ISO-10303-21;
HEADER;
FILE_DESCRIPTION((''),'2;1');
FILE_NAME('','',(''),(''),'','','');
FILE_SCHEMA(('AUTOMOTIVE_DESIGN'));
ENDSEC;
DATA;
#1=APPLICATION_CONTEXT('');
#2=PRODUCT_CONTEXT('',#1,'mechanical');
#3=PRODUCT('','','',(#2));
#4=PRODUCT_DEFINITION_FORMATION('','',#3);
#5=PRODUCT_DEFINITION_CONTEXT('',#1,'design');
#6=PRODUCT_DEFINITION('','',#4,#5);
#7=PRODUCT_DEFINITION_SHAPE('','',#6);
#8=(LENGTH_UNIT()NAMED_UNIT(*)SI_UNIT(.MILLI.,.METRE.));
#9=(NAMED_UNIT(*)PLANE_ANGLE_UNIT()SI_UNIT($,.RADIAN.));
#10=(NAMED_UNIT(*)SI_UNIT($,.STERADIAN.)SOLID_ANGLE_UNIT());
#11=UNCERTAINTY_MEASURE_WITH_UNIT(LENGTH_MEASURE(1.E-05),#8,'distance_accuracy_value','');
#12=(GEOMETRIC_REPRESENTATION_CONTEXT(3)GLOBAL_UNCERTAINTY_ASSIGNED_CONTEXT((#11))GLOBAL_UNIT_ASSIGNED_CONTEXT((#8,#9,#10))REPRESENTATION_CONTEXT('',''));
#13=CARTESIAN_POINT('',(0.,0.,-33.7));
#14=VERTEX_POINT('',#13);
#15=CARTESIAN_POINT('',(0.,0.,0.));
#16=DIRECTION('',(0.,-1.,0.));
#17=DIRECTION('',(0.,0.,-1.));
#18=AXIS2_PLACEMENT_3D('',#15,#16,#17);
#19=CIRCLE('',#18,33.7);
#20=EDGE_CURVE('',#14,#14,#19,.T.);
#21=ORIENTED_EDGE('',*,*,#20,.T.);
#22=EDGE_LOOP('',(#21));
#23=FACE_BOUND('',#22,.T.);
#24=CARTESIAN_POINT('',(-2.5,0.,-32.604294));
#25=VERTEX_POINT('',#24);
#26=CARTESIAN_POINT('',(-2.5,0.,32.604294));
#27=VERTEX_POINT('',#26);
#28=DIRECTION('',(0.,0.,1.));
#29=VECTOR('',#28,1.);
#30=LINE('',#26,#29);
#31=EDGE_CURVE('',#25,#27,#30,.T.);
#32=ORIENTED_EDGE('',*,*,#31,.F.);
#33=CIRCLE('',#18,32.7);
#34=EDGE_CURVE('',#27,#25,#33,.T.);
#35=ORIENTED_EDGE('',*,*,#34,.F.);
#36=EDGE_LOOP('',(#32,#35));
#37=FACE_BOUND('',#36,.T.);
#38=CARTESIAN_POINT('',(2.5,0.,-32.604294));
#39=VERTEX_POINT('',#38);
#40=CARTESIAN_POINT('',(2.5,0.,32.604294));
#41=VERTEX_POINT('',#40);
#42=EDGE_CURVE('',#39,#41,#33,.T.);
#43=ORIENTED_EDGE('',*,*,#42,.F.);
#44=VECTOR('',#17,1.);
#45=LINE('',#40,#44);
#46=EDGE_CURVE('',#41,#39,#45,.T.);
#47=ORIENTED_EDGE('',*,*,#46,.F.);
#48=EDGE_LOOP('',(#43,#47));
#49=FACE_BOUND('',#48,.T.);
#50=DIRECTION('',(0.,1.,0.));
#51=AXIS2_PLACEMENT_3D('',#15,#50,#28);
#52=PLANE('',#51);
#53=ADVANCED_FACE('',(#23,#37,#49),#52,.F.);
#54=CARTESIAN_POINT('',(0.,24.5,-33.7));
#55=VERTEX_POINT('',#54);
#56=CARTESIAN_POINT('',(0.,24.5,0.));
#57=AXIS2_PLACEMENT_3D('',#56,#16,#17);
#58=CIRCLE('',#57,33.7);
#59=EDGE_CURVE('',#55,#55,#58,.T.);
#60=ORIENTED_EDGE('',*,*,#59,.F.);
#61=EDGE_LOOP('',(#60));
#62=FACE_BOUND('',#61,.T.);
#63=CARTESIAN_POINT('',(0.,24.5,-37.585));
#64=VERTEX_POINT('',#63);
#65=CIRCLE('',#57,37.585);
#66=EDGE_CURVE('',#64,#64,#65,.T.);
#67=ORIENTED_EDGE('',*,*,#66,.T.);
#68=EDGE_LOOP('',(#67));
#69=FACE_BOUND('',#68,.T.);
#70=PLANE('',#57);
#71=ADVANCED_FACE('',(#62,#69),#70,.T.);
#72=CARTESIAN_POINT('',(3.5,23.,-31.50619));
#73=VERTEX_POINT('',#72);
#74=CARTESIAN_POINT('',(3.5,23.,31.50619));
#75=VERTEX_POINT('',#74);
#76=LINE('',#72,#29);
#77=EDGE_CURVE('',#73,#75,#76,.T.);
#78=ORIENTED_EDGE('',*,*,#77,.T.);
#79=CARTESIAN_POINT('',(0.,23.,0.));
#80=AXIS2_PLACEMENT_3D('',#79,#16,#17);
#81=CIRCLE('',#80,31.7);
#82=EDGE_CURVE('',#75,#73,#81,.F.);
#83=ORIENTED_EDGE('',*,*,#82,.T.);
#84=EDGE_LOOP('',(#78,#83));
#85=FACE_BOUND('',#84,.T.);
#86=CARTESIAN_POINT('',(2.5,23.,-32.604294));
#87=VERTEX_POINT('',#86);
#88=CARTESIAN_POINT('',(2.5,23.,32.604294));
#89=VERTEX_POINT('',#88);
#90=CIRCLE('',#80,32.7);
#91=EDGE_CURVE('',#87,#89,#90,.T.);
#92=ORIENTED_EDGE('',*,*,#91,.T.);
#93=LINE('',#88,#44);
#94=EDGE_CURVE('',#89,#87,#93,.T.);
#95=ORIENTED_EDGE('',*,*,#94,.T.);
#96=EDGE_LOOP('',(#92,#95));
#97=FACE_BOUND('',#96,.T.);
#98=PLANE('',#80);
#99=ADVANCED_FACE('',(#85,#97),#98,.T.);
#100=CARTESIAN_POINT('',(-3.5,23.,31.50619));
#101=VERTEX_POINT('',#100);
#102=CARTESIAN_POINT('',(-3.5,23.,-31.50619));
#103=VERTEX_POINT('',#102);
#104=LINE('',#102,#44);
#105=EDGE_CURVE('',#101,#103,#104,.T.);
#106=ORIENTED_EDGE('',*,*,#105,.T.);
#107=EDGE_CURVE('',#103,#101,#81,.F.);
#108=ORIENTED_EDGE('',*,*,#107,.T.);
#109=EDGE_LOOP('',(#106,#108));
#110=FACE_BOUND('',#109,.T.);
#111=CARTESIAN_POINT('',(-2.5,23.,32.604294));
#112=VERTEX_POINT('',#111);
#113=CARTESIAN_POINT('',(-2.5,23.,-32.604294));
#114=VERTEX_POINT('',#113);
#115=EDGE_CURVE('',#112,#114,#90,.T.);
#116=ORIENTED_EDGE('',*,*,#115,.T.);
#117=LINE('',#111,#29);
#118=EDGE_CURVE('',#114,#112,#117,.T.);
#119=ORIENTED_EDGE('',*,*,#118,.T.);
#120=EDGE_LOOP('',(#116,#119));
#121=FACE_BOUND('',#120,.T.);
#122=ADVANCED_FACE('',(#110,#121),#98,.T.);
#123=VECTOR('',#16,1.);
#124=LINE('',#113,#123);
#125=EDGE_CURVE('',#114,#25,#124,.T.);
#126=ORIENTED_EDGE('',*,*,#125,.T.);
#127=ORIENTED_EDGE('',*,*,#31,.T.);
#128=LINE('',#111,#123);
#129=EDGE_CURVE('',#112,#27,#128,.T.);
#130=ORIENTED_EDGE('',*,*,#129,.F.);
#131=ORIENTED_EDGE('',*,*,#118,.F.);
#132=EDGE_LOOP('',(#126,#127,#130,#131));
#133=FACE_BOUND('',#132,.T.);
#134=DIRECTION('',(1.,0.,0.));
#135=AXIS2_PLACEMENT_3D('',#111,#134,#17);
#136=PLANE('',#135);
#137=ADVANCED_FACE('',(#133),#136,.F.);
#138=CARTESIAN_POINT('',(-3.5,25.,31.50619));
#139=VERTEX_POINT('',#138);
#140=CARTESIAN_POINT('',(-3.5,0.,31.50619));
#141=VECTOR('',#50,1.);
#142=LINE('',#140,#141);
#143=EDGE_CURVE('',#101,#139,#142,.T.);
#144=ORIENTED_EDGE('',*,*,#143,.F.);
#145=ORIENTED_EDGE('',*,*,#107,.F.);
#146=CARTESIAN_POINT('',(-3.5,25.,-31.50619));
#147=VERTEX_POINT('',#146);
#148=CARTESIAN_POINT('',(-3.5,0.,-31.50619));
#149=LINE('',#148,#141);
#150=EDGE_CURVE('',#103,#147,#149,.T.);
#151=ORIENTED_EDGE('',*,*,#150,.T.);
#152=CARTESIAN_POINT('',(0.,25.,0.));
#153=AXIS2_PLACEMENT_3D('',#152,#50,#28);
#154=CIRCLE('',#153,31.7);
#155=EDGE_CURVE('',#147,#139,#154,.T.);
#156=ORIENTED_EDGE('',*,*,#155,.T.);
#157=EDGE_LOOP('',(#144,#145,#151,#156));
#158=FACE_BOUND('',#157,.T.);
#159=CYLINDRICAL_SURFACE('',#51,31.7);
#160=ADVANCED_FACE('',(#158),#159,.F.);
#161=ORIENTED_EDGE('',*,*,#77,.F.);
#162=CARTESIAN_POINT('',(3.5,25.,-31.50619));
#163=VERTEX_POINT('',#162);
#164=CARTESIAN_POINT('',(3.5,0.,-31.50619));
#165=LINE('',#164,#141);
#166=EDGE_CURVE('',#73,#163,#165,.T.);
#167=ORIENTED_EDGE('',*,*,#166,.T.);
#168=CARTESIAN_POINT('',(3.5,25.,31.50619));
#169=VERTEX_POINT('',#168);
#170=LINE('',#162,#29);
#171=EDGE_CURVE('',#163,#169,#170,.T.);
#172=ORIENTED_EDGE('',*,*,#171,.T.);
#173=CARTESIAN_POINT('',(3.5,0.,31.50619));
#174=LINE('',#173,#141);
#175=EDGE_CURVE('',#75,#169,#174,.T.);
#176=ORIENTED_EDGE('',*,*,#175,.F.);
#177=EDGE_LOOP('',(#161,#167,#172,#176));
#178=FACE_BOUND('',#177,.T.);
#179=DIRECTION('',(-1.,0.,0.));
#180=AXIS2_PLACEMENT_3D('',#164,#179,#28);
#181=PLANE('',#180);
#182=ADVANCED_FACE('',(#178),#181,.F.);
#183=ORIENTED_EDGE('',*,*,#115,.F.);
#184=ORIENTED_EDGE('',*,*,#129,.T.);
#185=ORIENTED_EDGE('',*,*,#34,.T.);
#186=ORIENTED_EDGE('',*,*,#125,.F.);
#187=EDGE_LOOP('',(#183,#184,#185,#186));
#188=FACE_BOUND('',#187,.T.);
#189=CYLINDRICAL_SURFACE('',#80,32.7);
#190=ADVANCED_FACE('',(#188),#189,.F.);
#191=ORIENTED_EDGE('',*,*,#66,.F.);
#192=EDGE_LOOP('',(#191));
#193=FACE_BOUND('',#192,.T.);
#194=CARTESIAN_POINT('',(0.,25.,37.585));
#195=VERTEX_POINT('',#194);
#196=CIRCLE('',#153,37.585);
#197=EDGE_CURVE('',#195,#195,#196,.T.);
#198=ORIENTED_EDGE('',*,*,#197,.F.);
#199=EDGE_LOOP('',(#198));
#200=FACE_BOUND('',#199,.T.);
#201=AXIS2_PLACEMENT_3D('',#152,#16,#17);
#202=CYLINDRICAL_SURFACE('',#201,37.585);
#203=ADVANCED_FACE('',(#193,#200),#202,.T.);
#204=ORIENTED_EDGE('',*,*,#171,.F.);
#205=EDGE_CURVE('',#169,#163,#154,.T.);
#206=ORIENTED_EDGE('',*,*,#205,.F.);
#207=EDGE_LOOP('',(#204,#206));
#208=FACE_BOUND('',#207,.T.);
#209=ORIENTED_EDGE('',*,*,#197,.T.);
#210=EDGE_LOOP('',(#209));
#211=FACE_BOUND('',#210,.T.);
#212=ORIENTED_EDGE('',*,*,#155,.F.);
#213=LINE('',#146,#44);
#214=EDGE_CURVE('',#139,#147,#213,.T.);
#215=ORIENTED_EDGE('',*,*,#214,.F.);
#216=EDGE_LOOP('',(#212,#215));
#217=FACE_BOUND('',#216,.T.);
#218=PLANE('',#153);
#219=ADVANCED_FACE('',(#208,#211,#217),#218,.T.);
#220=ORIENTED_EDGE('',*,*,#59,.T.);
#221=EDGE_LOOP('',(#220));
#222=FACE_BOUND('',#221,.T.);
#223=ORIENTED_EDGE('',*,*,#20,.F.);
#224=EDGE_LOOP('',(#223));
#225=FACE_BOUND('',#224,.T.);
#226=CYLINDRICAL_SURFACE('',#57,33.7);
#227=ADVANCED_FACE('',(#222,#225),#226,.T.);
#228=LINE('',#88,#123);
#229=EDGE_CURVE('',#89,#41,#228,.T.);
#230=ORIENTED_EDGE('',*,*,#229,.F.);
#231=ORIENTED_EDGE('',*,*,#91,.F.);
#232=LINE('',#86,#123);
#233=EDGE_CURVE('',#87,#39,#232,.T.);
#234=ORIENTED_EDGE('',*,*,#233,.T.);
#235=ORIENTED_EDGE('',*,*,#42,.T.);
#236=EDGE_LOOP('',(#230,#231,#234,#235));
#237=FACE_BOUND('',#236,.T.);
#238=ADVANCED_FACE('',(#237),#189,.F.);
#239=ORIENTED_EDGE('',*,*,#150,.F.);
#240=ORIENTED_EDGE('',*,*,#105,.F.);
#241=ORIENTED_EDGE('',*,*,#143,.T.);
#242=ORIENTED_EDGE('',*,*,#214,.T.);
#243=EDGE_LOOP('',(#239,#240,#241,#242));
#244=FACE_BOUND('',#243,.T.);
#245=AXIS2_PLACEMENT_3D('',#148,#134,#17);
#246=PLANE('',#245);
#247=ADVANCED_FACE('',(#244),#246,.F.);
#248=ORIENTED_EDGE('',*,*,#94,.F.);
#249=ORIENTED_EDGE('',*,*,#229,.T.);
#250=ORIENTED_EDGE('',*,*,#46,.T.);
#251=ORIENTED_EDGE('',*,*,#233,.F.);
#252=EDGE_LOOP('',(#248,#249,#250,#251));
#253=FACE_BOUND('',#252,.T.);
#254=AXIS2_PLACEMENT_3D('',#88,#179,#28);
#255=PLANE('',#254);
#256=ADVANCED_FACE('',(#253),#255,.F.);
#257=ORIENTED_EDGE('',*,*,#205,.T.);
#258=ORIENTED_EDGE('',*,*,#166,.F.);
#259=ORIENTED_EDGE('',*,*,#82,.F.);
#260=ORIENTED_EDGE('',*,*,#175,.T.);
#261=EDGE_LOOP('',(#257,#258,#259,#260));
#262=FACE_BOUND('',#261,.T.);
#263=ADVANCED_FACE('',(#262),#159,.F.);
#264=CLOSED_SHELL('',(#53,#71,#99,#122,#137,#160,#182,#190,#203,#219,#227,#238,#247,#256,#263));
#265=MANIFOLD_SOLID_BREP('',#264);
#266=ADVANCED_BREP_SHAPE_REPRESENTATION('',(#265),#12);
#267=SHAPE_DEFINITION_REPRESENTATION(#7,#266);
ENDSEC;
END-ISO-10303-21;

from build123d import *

# Parameters (mm, degrees)
OUTER_BASE_CIRCLE_SKETCH_R         = 37.585
BODY_EXTRUDE_DEPTH                 = 25
INNER_BASE_CIRCLE_SKETCH_OUTSIDE_W = 99.012
INNER_BASE_CIRCLE_SKETCH_OUTSIDE_H = 99.012
INNER_BASE_CIRCLE_SKETCH_OUTSIDE_R = 33.7
OUTER_BODY_EXTRUDE_DEPTH           = 24.5
DELIVERY_HOLE_EXTRUDE_DEPTH        = 59.738951727
FASTENER_EXTRUDE_DEPTH             = 23


with BuildPart() as part:
    # Outer Base Circle Sketch → Body Extrude (new body)
    with BuildSketch(Plane(origin=(0, 0, 0), x_dir=(1, 0, 0), z_dir=(0, 1, 0))):
        with Locations(Location((0, 0, 0), (0, 0, 270))):
            Circle(OUTER_BASE_CIRCLE_SKETCH_R)
    extrude(amount=BODY_EXTRUDE_DEPTH)

    # Inner Base Circle Sketch outside → Outer Body Extrude (cut)
    with BuildSketch(Plane.XZ):
        Rectangle(INNER_BASE_CIRCLE_SKETCH_OUTSIDE_W, INNER_BASE_CIRCLE_SKETCH_OUTSIDE_H)
        with Locations(Location((0, 0, 0), (0, 0, 270))):
            Circle(INNER_BASE_CIRCLE_SKETCH_OUTSIDE_R, mode=Mode.SUBTRACT)
    extrude(amount=-OUTER_BODY_EXTRUDE_DEPTH, mode=Mode.SUBTRACT)

    # Delivery Hole Sketch → Delivery Hole Extrude (cut, through all)
    with BuildSketch(Plane(origin=(0, 25, 0), x_dir=(1, 0, 0), z_dir=(0, 1, 0))):
        with BuildLine():
            Line((-3.5, 31.506189868), (-3.5, -31.506189868))
            ThreePointArc((-3.5, -31.506189868), (-31.7, 0), (-3.5, 31.506189868))
        make_face()
        with BuildLine():
            Line((3.5, 31.506189868), (3.5, -31.506189868))
            ThreePointArc((3.5, -31.506189868), (31.7, 0), (3.5, 31.506189868))
        make_face()
    extrude(amount=-DELIVERY_HOLE_EXTRUDE_DEPTH, mode=Mode.SUBTRACT)

    # Fastener Sketch → Fastener Extrude (cut)
    with BuildSketch(Plane.XZ):
        with BuildLine():
            Line((-2.5, 32.604294196), (-2.5, -32.604294196))
            ThreePointArc((-2.5, -32.604294196), (-32.7, 0), (-2.5, 32.604294196))
        make_face()
        with BuildLine():
            Line((2.5, 32.604294196), (2.5, -32.604294196))
            ThreePointArc((2.5, -32.604294196), (32.7, 0), (2.5, 32.604294196))
        make_face()
    extrude(amount=-FASTENER_EXTRUDE_DEPTH, mode=Mode.SUBTRACT)


solid = part.part
